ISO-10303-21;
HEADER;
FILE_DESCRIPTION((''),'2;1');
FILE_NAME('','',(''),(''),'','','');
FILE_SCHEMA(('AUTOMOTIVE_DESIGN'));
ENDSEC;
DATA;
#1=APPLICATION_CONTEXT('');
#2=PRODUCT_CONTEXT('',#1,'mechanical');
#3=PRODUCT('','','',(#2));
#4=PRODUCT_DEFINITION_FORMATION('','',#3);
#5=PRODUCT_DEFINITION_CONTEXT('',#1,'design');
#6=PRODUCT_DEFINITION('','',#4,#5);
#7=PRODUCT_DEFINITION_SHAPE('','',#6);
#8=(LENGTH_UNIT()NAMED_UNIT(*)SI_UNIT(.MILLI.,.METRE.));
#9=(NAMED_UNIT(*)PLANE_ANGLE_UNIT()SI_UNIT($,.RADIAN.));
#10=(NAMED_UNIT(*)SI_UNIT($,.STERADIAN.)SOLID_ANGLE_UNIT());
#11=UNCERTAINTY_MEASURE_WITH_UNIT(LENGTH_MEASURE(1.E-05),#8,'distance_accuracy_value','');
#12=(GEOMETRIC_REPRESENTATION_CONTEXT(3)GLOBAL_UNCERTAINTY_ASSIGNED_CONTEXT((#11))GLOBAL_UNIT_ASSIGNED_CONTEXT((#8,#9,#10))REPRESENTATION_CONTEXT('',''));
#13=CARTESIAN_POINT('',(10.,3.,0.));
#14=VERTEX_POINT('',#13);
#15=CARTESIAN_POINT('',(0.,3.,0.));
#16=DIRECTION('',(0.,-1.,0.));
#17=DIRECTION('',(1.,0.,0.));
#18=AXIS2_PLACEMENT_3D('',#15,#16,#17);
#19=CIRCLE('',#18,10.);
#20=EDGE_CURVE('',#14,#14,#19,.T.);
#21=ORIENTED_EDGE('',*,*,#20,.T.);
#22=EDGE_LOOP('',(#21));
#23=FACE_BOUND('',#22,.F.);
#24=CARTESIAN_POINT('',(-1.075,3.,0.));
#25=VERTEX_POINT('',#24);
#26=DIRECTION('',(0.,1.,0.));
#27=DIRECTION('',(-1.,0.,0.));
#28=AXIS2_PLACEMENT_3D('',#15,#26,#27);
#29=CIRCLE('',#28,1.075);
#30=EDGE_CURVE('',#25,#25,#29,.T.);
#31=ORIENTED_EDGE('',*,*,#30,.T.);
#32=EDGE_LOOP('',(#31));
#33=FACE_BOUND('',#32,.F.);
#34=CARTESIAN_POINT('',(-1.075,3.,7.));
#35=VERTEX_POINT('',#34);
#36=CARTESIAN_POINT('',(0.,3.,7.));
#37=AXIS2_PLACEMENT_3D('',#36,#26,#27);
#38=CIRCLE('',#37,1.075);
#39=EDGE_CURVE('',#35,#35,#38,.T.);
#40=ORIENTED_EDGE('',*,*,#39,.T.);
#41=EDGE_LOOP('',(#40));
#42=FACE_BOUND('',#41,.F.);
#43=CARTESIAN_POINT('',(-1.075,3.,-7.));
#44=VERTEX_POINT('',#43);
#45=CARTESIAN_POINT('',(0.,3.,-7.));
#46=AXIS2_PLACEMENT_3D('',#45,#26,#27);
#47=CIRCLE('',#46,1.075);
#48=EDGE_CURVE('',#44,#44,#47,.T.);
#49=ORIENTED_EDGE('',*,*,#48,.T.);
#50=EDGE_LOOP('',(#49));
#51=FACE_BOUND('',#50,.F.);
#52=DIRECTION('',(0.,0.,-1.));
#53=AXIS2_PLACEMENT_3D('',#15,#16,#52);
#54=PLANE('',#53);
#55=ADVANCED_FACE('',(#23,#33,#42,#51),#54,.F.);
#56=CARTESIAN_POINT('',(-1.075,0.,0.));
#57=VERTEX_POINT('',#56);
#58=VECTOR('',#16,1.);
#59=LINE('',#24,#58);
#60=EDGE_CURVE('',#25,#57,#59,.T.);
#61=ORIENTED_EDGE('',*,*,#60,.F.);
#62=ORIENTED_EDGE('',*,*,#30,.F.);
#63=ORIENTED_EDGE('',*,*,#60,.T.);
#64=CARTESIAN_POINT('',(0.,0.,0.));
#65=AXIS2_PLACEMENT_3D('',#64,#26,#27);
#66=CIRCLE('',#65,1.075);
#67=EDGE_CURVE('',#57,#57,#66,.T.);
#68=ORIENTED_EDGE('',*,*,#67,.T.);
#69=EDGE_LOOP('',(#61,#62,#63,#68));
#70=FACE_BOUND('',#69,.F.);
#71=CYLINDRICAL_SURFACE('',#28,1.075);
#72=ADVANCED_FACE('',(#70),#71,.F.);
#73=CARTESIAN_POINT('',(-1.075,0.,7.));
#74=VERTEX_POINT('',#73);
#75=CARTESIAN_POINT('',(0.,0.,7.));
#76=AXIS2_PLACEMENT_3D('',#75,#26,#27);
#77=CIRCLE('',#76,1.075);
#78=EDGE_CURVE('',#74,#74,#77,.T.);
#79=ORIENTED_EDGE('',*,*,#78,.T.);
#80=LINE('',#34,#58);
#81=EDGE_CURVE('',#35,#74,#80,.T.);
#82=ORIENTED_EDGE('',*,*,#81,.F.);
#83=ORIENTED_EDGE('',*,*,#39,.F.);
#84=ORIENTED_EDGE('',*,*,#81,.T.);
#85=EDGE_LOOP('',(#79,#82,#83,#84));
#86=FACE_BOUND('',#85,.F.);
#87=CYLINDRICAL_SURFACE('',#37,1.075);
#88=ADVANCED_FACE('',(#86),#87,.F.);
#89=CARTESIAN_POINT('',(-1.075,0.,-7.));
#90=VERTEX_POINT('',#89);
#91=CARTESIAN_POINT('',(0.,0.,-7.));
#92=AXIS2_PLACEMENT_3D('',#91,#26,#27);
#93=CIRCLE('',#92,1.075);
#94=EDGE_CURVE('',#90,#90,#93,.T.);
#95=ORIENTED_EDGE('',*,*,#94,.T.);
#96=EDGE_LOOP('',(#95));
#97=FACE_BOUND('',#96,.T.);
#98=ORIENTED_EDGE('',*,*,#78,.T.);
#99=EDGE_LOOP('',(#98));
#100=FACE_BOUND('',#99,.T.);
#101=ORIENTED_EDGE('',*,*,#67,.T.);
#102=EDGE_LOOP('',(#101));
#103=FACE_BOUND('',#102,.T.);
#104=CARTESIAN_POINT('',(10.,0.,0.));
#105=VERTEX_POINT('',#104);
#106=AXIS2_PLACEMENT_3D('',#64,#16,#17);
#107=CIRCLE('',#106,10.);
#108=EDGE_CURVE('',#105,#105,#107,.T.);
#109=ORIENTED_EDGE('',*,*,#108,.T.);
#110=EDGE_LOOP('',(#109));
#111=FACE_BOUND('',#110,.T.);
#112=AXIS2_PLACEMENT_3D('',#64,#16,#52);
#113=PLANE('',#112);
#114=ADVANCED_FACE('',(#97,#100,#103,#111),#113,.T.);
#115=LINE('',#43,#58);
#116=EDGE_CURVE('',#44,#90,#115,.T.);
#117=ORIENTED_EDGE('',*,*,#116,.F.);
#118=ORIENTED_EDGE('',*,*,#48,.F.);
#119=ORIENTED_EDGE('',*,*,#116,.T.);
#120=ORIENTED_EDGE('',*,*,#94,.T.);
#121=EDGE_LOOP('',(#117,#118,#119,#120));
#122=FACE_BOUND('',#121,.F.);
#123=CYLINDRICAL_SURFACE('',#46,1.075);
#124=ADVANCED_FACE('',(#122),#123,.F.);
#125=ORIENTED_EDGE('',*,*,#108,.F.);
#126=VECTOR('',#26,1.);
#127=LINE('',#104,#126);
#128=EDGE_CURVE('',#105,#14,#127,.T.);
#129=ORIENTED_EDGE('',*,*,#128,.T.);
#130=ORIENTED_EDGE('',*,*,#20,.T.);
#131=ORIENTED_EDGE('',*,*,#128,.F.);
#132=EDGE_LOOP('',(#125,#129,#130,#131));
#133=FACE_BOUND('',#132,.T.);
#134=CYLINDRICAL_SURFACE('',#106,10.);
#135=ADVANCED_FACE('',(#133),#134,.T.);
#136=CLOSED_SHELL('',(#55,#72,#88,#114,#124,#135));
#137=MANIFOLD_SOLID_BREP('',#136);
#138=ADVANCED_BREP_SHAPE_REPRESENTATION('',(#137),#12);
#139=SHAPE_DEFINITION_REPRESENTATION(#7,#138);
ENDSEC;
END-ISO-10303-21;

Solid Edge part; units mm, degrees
sketch "Sketch1" plane through (0, 0, 0) normal (0, -1, 0) x (1, 0, 0)
  circle A0 centre (0, 0) radius 10
  dimension "D1" = 20
extrude "Ajout_matière_1" add sketch "Sketch1" against normal blind 3
sketch "Sketch2" plane through (0, 3, 0) normal (0, 1, 0) x (-1, 0, 0)
  circle A0 centre (0, -7) radius 1.075
  circle A1 centre (0, 0) radius 1.075
  circle A2 centre (0, 7) radius 1.075
  dimension "D1" = 2.15
  dimension "D2" = 7
  dimension "D3" = 2.15
extrude "Enlèvement_matière_1" cut sketch "Sketch2" against normal blind 8.787
properties part number "15" material "PMMA"
